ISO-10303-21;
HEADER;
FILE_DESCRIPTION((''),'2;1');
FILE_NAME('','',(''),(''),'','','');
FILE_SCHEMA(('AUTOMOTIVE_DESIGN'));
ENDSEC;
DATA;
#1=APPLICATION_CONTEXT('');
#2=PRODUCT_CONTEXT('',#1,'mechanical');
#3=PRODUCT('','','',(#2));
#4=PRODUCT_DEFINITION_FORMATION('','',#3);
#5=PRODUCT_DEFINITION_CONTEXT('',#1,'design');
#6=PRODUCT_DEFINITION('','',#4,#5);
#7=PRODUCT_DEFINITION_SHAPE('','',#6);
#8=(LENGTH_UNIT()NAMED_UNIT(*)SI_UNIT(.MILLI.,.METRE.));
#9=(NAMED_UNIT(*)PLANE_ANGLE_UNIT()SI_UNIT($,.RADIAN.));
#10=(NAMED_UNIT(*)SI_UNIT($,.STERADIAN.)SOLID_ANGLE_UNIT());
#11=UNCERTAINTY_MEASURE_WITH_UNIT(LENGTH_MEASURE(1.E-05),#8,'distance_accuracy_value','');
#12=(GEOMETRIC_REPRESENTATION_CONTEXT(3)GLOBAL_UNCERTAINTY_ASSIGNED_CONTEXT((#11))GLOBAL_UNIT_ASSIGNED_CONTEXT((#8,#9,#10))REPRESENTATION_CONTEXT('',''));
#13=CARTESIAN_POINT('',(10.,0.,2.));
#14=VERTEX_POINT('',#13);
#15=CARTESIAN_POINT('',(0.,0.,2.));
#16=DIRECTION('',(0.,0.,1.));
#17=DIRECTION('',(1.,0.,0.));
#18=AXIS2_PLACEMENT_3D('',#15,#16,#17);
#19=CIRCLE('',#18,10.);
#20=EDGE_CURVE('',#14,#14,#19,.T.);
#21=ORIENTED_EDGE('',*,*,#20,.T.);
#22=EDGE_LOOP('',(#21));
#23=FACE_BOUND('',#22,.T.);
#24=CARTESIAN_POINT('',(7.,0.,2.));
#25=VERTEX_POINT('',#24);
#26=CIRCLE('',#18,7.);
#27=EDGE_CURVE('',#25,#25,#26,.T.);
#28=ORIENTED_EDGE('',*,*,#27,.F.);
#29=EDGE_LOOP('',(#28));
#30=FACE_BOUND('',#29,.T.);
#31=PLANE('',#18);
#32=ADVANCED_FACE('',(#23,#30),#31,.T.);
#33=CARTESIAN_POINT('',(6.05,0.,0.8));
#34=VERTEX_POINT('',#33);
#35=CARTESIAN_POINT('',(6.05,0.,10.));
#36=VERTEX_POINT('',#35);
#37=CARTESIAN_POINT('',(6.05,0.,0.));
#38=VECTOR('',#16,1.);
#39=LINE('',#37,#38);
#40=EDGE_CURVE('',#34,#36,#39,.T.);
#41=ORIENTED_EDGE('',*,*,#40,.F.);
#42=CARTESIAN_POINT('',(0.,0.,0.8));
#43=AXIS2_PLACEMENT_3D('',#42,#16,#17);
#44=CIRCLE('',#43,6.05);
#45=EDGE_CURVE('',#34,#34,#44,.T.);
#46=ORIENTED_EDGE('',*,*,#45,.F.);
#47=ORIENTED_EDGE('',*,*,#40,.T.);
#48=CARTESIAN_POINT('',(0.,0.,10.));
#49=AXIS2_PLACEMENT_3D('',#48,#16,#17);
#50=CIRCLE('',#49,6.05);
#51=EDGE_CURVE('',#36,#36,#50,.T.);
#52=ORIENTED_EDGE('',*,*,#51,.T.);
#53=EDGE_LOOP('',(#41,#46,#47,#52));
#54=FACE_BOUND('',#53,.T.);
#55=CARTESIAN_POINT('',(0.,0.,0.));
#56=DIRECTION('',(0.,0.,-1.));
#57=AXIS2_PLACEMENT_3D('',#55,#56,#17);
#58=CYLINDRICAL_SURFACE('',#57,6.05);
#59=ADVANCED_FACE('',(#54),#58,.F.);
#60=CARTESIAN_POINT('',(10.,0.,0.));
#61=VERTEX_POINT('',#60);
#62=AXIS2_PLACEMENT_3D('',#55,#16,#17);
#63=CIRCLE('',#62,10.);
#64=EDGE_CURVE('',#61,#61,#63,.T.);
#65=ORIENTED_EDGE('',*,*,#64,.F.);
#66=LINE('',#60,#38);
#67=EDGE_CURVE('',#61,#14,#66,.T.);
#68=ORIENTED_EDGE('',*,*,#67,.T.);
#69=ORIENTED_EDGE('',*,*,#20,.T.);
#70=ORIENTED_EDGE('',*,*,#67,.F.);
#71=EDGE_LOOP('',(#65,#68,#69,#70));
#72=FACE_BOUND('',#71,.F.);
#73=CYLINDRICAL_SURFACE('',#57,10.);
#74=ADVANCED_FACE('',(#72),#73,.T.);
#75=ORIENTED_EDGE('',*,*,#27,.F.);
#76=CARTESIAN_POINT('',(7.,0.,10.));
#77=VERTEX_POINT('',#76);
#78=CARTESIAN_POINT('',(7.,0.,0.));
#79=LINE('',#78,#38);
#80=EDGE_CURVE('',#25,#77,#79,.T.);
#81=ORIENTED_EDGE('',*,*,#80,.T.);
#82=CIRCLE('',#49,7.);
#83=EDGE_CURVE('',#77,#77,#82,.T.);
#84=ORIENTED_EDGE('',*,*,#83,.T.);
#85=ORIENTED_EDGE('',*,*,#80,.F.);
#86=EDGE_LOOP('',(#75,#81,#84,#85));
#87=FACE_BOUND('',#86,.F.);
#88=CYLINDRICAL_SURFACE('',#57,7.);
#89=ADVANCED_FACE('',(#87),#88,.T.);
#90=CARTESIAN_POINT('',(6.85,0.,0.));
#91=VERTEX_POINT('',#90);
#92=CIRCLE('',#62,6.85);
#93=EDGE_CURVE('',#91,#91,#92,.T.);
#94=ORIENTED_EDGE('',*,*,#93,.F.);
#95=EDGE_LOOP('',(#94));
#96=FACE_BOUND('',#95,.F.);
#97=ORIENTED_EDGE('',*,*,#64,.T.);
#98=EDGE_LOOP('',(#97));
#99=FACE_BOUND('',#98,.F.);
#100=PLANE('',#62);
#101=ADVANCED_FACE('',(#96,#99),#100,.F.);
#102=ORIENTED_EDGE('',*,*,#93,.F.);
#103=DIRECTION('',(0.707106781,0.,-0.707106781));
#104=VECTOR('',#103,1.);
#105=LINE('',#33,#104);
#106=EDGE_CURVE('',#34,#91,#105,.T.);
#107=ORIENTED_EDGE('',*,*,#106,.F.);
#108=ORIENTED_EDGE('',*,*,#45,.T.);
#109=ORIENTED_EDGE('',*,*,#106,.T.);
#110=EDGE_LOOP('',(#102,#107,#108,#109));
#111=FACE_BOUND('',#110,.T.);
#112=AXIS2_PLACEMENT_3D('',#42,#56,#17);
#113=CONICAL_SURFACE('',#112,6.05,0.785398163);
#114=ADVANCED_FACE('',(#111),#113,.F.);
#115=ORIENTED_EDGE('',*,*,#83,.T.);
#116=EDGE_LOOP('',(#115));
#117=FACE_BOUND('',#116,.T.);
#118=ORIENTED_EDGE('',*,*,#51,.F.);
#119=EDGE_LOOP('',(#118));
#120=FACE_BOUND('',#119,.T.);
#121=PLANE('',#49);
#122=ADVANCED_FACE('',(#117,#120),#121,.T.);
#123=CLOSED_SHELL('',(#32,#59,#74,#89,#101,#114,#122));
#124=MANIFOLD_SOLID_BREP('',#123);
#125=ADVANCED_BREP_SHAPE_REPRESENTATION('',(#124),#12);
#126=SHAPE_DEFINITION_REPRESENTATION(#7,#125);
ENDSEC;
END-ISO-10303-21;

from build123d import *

# Parameters (mm, degrees)
F1_R     = 10
F1_R_2   = 7
F2_DEPTH = 2
F1_R_3   = 6.05
F3_DEPTH = 10
F4_SIZE  = 0.8


with BuildPart() as f2:
    # F1 (on Top) → F2 (new body)
    with BuildSketch(Plane.XY):
        Circle(F1_R)
        Circle(F1_R_2, mode=Mode.SUBTRACT)
    extrude(amount=F2_DEPTH)

    # F1 (on Top) → F3 (join)
    with BuildSketch(Plane.XY):
        Circle(F1_R_2)
        Circle(F1_R_3, mode=Mode.SUBTRACT)
    extrude(amount=F3_DEPTH)

    # F4
    f4_edges = [f2.edges().sort_by_distance(p)[0] for p in [
        (-6.05, 0, 0),
    ]]
    chamfer(f4_edges, length=F4_SIZE)


solid = f2.part
